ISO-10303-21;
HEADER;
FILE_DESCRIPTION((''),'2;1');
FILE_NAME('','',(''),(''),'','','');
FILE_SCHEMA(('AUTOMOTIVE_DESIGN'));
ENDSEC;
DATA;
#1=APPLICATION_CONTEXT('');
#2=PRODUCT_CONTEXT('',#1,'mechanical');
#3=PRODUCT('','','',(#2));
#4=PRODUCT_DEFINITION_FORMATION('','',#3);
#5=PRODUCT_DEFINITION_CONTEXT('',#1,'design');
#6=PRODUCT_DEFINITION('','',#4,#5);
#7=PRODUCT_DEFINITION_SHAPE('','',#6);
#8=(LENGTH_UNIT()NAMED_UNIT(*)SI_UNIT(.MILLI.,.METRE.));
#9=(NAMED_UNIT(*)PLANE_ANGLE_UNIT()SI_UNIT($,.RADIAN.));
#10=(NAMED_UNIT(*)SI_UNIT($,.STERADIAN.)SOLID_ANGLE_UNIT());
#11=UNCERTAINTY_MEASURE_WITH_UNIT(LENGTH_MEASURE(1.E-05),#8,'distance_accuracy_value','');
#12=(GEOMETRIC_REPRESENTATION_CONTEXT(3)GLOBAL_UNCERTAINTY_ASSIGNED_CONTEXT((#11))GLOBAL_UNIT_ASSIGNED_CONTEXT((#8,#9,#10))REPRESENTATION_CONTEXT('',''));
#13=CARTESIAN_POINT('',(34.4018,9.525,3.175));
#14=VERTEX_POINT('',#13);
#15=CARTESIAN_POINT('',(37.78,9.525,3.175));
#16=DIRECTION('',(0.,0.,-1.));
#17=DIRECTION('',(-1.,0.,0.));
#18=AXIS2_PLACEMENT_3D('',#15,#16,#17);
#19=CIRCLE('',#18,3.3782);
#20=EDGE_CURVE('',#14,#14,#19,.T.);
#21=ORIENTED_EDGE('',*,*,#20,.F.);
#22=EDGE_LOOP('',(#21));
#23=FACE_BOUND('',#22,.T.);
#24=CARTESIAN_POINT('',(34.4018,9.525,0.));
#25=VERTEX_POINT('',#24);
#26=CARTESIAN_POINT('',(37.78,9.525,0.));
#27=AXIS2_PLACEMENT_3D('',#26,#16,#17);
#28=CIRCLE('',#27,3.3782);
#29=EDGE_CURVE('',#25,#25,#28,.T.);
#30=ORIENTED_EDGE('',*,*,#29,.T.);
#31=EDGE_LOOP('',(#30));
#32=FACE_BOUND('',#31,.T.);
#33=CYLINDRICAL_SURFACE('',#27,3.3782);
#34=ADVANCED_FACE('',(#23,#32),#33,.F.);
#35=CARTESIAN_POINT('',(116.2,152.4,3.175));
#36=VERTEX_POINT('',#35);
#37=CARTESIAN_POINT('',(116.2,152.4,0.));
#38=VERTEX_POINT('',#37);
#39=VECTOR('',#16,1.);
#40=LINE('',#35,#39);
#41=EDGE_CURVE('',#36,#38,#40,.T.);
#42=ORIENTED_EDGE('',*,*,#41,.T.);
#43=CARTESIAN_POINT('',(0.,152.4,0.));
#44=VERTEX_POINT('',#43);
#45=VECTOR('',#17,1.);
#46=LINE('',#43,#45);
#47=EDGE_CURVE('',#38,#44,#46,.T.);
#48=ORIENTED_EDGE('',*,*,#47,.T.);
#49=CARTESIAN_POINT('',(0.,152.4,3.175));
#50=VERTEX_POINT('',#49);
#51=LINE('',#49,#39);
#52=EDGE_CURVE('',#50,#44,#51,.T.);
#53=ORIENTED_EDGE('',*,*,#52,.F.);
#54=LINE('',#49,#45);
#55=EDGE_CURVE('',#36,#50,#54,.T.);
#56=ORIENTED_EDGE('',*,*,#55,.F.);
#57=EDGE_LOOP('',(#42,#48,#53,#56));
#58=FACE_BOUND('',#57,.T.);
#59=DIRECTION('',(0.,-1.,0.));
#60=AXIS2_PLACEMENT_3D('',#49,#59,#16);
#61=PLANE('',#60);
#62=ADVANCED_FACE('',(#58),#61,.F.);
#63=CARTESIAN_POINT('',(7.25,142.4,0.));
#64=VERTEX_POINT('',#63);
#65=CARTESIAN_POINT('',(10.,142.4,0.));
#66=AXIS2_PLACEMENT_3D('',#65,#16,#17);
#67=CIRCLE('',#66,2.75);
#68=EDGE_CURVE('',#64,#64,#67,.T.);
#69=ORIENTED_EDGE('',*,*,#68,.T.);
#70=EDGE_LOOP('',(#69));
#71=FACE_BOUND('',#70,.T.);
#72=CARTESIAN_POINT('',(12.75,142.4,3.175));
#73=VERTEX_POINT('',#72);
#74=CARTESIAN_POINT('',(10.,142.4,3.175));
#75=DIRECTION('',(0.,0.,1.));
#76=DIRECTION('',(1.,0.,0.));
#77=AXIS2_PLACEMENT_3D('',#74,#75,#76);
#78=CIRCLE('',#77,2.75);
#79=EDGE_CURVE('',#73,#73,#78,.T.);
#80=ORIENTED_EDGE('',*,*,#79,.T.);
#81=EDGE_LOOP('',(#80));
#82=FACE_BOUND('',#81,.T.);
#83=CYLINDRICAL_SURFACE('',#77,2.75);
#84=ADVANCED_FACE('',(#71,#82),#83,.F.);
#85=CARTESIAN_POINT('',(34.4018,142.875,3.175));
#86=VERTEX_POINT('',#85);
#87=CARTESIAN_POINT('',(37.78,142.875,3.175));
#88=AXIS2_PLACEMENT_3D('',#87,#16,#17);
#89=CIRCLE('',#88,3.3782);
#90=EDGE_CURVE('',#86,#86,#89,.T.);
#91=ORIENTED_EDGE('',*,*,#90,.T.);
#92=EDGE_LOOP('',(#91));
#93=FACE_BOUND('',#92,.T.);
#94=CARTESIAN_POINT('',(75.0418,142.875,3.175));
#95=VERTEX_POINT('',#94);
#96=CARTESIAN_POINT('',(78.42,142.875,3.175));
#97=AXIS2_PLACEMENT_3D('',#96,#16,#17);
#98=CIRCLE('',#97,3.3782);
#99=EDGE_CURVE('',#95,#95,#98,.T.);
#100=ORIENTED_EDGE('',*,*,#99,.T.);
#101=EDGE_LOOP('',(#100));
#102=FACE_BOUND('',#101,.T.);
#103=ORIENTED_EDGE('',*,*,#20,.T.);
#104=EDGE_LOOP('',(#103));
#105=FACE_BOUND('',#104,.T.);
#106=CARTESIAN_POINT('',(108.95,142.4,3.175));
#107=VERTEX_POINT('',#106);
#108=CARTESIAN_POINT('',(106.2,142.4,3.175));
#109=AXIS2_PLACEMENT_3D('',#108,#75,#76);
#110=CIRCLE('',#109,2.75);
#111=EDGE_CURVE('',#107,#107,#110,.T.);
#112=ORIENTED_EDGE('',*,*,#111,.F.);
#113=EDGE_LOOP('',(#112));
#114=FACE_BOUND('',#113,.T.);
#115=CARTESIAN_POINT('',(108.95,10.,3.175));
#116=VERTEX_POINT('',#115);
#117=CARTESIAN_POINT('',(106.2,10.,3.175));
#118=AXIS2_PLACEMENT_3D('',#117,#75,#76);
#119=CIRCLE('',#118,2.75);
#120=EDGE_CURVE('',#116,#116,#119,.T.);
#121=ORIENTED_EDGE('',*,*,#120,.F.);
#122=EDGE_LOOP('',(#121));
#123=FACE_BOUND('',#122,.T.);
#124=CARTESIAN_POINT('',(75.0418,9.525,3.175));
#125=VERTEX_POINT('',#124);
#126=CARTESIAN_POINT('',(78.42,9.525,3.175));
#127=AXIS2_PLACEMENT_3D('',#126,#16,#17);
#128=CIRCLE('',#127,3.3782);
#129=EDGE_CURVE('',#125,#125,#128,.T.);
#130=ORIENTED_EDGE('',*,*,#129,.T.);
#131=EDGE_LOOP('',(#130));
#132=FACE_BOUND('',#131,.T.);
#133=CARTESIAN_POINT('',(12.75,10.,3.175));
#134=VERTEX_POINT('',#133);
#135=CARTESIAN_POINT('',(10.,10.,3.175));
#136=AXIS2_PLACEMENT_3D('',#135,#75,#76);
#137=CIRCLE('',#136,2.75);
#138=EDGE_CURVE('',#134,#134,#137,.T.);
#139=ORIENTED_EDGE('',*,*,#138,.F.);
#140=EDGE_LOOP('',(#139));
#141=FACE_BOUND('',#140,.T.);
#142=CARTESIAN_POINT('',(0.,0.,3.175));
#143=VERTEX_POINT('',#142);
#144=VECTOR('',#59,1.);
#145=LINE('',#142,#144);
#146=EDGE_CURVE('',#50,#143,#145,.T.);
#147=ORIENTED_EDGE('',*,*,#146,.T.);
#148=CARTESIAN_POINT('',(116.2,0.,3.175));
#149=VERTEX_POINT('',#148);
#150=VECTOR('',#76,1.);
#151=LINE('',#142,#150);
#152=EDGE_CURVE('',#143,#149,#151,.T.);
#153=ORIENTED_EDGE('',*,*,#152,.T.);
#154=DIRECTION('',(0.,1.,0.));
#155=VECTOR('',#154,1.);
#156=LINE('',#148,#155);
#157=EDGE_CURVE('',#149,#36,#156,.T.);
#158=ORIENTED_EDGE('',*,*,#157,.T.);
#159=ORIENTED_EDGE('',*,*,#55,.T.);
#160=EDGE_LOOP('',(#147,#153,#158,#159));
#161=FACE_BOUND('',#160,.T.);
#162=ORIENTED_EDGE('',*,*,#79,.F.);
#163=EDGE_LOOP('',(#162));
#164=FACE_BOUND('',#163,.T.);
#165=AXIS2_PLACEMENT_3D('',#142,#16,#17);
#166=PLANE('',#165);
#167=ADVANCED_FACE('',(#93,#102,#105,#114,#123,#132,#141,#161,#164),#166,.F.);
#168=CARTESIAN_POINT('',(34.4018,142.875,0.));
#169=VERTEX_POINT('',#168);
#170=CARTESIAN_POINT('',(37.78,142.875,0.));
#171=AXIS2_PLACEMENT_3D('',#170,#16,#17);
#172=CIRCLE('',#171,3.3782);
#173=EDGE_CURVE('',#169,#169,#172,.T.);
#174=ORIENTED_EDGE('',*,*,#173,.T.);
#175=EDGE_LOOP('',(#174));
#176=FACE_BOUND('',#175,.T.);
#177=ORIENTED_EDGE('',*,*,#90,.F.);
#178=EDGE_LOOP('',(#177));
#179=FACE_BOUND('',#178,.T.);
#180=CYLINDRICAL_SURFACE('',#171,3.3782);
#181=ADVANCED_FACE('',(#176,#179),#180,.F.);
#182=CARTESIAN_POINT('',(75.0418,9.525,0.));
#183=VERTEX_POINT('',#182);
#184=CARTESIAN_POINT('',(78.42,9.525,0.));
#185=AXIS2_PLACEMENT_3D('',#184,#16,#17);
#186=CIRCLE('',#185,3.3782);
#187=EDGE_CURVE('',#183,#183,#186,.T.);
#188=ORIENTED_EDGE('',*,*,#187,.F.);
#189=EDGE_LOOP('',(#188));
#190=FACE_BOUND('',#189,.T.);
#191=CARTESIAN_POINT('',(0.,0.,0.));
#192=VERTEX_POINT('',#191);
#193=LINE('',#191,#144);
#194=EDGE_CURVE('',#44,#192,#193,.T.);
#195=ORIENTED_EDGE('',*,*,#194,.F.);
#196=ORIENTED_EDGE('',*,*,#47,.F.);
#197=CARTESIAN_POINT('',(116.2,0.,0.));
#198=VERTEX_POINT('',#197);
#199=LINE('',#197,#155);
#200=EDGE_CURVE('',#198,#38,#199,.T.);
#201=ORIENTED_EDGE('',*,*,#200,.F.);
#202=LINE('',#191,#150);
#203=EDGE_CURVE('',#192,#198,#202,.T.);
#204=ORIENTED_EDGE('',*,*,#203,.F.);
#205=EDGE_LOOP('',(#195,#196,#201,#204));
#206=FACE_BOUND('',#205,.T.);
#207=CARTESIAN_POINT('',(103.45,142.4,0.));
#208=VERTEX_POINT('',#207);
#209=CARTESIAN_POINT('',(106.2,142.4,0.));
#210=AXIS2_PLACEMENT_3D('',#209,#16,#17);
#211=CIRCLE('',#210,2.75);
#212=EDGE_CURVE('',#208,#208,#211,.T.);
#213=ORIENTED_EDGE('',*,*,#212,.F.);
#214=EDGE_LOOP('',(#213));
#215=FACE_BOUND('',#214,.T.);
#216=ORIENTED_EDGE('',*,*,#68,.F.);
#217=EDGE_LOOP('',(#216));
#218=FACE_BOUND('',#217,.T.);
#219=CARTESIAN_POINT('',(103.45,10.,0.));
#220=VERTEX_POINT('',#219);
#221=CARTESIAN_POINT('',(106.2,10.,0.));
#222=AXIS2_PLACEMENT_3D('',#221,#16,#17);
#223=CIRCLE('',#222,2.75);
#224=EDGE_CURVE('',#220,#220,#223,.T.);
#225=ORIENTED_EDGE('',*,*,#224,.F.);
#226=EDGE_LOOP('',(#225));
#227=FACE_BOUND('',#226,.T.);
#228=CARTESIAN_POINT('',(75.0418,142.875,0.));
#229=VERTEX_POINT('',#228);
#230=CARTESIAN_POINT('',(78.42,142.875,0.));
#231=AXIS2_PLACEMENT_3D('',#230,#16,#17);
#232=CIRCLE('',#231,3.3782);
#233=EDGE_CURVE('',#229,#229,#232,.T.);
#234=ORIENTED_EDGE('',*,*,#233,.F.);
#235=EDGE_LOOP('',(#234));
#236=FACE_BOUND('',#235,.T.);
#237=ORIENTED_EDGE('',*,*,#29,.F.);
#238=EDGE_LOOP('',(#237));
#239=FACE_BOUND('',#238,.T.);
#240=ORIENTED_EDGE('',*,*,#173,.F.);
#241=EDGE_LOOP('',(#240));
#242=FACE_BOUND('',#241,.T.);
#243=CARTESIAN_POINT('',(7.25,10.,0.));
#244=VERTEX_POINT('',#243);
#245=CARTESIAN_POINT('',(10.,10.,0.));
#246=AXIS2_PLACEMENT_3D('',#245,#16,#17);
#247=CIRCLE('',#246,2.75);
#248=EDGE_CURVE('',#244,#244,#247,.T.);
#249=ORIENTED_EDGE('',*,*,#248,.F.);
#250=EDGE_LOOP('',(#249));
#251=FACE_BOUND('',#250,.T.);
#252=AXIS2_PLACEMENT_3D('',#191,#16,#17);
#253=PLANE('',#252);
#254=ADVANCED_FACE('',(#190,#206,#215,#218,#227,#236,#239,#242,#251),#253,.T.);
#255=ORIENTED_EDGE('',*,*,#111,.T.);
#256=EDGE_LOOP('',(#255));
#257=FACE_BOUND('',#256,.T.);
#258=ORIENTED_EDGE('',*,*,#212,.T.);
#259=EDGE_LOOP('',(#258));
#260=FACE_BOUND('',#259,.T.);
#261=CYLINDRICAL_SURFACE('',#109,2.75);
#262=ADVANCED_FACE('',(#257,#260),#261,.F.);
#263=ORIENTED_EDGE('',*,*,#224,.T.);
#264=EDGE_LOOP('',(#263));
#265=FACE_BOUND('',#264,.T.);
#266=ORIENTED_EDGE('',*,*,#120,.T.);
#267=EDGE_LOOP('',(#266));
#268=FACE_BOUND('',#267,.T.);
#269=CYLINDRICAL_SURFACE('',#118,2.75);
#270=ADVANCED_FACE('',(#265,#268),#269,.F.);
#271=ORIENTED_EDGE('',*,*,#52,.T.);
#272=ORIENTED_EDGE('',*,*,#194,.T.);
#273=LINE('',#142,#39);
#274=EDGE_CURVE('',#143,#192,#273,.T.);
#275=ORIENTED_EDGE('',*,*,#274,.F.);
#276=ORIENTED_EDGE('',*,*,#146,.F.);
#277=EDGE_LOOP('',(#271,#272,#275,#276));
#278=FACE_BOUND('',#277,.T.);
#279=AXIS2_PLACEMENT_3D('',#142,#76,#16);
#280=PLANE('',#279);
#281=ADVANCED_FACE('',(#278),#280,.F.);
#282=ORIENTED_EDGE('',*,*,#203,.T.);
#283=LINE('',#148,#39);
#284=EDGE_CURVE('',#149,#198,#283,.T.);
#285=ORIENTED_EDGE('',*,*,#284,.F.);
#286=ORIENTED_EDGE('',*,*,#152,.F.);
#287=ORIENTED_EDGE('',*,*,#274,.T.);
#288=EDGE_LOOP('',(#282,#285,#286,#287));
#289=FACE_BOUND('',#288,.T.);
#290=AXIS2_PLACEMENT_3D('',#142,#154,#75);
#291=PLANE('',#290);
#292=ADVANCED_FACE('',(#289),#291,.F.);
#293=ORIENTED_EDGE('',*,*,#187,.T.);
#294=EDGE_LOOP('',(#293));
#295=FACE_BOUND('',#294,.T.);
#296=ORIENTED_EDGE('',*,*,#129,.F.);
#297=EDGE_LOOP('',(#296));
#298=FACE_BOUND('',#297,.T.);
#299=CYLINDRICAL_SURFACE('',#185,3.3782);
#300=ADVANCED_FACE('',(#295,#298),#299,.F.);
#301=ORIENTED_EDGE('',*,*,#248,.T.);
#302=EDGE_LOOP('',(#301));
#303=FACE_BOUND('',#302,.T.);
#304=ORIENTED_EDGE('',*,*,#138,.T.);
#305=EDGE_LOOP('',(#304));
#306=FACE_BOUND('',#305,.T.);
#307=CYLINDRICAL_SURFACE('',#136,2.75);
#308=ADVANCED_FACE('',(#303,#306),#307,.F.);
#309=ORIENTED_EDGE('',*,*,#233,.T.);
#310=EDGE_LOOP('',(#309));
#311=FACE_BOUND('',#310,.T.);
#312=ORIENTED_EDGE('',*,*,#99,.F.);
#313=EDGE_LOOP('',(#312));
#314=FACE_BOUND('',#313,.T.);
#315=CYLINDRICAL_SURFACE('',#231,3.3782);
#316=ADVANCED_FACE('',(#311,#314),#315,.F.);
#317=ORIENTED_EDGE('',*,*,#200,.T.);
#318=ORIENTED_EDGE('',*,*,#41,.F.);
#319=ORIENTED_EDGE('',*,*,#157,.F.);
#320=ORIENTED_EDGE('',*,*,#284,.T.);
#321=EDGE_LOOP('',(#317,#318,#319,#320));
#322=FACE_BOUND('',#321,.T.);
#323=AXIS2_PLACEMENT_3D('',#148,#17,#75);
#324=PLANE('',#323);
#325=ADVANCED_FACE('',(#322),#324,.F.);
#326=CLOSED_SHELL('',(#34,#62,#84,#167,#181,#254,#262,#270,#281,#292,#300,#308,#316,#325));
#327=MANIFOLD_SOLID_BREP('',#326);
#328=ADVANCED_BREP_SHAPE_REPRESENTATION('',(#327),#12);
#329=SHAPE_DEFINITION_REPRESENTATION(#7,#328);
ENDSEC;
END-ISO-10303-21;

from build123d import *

# Parameters (mm, degrees)
SKETCH1_W               = 116.2
SKETCH1_H               = 152.4
BOSS_EXTRUDE1_DEPTH     = 3.175
M5_CLEARANCE_HOLE1_D    = 5.5
F_1_4_CLEARANCE_HOLE1_D = 6.7564


with BuildPart() as part:
    # Sketch1 → Boss-Extrude1 (new body)
    with BuildSketch(Plane.XY):
        with Locations((58.1, 76.2)):
            Rectangle(SKETCH1_W, SKETCH1_H)
    extrude(amount=BOSS_EXTRUDE1_DEPTH)

    # M5 Clearance Hole1 (through all)
    with Locations(Plane.XY.offset(3.175)):
        with Locations((10, 142.4), (106.2, 142.4), (106.2, 10), (10, 10)):
            Hole(M5_CLEARANCE_HOLE1_D / 2)

    # 1/4 Clearance Hole1 (through all)
    with Locations(Plane(origin=(0, 0, 0), x_dir=(-1, 0, 0), z_dir=(0, 0, -1))):
        with Locations((-78.42, 142.875), (-37.78, 142.875), (-37.78, 9.525), (-78.42, 9.525)):
            Hole(F_1_4_CLEARANCE_HOLE1_D / 2)


solid = part.part
